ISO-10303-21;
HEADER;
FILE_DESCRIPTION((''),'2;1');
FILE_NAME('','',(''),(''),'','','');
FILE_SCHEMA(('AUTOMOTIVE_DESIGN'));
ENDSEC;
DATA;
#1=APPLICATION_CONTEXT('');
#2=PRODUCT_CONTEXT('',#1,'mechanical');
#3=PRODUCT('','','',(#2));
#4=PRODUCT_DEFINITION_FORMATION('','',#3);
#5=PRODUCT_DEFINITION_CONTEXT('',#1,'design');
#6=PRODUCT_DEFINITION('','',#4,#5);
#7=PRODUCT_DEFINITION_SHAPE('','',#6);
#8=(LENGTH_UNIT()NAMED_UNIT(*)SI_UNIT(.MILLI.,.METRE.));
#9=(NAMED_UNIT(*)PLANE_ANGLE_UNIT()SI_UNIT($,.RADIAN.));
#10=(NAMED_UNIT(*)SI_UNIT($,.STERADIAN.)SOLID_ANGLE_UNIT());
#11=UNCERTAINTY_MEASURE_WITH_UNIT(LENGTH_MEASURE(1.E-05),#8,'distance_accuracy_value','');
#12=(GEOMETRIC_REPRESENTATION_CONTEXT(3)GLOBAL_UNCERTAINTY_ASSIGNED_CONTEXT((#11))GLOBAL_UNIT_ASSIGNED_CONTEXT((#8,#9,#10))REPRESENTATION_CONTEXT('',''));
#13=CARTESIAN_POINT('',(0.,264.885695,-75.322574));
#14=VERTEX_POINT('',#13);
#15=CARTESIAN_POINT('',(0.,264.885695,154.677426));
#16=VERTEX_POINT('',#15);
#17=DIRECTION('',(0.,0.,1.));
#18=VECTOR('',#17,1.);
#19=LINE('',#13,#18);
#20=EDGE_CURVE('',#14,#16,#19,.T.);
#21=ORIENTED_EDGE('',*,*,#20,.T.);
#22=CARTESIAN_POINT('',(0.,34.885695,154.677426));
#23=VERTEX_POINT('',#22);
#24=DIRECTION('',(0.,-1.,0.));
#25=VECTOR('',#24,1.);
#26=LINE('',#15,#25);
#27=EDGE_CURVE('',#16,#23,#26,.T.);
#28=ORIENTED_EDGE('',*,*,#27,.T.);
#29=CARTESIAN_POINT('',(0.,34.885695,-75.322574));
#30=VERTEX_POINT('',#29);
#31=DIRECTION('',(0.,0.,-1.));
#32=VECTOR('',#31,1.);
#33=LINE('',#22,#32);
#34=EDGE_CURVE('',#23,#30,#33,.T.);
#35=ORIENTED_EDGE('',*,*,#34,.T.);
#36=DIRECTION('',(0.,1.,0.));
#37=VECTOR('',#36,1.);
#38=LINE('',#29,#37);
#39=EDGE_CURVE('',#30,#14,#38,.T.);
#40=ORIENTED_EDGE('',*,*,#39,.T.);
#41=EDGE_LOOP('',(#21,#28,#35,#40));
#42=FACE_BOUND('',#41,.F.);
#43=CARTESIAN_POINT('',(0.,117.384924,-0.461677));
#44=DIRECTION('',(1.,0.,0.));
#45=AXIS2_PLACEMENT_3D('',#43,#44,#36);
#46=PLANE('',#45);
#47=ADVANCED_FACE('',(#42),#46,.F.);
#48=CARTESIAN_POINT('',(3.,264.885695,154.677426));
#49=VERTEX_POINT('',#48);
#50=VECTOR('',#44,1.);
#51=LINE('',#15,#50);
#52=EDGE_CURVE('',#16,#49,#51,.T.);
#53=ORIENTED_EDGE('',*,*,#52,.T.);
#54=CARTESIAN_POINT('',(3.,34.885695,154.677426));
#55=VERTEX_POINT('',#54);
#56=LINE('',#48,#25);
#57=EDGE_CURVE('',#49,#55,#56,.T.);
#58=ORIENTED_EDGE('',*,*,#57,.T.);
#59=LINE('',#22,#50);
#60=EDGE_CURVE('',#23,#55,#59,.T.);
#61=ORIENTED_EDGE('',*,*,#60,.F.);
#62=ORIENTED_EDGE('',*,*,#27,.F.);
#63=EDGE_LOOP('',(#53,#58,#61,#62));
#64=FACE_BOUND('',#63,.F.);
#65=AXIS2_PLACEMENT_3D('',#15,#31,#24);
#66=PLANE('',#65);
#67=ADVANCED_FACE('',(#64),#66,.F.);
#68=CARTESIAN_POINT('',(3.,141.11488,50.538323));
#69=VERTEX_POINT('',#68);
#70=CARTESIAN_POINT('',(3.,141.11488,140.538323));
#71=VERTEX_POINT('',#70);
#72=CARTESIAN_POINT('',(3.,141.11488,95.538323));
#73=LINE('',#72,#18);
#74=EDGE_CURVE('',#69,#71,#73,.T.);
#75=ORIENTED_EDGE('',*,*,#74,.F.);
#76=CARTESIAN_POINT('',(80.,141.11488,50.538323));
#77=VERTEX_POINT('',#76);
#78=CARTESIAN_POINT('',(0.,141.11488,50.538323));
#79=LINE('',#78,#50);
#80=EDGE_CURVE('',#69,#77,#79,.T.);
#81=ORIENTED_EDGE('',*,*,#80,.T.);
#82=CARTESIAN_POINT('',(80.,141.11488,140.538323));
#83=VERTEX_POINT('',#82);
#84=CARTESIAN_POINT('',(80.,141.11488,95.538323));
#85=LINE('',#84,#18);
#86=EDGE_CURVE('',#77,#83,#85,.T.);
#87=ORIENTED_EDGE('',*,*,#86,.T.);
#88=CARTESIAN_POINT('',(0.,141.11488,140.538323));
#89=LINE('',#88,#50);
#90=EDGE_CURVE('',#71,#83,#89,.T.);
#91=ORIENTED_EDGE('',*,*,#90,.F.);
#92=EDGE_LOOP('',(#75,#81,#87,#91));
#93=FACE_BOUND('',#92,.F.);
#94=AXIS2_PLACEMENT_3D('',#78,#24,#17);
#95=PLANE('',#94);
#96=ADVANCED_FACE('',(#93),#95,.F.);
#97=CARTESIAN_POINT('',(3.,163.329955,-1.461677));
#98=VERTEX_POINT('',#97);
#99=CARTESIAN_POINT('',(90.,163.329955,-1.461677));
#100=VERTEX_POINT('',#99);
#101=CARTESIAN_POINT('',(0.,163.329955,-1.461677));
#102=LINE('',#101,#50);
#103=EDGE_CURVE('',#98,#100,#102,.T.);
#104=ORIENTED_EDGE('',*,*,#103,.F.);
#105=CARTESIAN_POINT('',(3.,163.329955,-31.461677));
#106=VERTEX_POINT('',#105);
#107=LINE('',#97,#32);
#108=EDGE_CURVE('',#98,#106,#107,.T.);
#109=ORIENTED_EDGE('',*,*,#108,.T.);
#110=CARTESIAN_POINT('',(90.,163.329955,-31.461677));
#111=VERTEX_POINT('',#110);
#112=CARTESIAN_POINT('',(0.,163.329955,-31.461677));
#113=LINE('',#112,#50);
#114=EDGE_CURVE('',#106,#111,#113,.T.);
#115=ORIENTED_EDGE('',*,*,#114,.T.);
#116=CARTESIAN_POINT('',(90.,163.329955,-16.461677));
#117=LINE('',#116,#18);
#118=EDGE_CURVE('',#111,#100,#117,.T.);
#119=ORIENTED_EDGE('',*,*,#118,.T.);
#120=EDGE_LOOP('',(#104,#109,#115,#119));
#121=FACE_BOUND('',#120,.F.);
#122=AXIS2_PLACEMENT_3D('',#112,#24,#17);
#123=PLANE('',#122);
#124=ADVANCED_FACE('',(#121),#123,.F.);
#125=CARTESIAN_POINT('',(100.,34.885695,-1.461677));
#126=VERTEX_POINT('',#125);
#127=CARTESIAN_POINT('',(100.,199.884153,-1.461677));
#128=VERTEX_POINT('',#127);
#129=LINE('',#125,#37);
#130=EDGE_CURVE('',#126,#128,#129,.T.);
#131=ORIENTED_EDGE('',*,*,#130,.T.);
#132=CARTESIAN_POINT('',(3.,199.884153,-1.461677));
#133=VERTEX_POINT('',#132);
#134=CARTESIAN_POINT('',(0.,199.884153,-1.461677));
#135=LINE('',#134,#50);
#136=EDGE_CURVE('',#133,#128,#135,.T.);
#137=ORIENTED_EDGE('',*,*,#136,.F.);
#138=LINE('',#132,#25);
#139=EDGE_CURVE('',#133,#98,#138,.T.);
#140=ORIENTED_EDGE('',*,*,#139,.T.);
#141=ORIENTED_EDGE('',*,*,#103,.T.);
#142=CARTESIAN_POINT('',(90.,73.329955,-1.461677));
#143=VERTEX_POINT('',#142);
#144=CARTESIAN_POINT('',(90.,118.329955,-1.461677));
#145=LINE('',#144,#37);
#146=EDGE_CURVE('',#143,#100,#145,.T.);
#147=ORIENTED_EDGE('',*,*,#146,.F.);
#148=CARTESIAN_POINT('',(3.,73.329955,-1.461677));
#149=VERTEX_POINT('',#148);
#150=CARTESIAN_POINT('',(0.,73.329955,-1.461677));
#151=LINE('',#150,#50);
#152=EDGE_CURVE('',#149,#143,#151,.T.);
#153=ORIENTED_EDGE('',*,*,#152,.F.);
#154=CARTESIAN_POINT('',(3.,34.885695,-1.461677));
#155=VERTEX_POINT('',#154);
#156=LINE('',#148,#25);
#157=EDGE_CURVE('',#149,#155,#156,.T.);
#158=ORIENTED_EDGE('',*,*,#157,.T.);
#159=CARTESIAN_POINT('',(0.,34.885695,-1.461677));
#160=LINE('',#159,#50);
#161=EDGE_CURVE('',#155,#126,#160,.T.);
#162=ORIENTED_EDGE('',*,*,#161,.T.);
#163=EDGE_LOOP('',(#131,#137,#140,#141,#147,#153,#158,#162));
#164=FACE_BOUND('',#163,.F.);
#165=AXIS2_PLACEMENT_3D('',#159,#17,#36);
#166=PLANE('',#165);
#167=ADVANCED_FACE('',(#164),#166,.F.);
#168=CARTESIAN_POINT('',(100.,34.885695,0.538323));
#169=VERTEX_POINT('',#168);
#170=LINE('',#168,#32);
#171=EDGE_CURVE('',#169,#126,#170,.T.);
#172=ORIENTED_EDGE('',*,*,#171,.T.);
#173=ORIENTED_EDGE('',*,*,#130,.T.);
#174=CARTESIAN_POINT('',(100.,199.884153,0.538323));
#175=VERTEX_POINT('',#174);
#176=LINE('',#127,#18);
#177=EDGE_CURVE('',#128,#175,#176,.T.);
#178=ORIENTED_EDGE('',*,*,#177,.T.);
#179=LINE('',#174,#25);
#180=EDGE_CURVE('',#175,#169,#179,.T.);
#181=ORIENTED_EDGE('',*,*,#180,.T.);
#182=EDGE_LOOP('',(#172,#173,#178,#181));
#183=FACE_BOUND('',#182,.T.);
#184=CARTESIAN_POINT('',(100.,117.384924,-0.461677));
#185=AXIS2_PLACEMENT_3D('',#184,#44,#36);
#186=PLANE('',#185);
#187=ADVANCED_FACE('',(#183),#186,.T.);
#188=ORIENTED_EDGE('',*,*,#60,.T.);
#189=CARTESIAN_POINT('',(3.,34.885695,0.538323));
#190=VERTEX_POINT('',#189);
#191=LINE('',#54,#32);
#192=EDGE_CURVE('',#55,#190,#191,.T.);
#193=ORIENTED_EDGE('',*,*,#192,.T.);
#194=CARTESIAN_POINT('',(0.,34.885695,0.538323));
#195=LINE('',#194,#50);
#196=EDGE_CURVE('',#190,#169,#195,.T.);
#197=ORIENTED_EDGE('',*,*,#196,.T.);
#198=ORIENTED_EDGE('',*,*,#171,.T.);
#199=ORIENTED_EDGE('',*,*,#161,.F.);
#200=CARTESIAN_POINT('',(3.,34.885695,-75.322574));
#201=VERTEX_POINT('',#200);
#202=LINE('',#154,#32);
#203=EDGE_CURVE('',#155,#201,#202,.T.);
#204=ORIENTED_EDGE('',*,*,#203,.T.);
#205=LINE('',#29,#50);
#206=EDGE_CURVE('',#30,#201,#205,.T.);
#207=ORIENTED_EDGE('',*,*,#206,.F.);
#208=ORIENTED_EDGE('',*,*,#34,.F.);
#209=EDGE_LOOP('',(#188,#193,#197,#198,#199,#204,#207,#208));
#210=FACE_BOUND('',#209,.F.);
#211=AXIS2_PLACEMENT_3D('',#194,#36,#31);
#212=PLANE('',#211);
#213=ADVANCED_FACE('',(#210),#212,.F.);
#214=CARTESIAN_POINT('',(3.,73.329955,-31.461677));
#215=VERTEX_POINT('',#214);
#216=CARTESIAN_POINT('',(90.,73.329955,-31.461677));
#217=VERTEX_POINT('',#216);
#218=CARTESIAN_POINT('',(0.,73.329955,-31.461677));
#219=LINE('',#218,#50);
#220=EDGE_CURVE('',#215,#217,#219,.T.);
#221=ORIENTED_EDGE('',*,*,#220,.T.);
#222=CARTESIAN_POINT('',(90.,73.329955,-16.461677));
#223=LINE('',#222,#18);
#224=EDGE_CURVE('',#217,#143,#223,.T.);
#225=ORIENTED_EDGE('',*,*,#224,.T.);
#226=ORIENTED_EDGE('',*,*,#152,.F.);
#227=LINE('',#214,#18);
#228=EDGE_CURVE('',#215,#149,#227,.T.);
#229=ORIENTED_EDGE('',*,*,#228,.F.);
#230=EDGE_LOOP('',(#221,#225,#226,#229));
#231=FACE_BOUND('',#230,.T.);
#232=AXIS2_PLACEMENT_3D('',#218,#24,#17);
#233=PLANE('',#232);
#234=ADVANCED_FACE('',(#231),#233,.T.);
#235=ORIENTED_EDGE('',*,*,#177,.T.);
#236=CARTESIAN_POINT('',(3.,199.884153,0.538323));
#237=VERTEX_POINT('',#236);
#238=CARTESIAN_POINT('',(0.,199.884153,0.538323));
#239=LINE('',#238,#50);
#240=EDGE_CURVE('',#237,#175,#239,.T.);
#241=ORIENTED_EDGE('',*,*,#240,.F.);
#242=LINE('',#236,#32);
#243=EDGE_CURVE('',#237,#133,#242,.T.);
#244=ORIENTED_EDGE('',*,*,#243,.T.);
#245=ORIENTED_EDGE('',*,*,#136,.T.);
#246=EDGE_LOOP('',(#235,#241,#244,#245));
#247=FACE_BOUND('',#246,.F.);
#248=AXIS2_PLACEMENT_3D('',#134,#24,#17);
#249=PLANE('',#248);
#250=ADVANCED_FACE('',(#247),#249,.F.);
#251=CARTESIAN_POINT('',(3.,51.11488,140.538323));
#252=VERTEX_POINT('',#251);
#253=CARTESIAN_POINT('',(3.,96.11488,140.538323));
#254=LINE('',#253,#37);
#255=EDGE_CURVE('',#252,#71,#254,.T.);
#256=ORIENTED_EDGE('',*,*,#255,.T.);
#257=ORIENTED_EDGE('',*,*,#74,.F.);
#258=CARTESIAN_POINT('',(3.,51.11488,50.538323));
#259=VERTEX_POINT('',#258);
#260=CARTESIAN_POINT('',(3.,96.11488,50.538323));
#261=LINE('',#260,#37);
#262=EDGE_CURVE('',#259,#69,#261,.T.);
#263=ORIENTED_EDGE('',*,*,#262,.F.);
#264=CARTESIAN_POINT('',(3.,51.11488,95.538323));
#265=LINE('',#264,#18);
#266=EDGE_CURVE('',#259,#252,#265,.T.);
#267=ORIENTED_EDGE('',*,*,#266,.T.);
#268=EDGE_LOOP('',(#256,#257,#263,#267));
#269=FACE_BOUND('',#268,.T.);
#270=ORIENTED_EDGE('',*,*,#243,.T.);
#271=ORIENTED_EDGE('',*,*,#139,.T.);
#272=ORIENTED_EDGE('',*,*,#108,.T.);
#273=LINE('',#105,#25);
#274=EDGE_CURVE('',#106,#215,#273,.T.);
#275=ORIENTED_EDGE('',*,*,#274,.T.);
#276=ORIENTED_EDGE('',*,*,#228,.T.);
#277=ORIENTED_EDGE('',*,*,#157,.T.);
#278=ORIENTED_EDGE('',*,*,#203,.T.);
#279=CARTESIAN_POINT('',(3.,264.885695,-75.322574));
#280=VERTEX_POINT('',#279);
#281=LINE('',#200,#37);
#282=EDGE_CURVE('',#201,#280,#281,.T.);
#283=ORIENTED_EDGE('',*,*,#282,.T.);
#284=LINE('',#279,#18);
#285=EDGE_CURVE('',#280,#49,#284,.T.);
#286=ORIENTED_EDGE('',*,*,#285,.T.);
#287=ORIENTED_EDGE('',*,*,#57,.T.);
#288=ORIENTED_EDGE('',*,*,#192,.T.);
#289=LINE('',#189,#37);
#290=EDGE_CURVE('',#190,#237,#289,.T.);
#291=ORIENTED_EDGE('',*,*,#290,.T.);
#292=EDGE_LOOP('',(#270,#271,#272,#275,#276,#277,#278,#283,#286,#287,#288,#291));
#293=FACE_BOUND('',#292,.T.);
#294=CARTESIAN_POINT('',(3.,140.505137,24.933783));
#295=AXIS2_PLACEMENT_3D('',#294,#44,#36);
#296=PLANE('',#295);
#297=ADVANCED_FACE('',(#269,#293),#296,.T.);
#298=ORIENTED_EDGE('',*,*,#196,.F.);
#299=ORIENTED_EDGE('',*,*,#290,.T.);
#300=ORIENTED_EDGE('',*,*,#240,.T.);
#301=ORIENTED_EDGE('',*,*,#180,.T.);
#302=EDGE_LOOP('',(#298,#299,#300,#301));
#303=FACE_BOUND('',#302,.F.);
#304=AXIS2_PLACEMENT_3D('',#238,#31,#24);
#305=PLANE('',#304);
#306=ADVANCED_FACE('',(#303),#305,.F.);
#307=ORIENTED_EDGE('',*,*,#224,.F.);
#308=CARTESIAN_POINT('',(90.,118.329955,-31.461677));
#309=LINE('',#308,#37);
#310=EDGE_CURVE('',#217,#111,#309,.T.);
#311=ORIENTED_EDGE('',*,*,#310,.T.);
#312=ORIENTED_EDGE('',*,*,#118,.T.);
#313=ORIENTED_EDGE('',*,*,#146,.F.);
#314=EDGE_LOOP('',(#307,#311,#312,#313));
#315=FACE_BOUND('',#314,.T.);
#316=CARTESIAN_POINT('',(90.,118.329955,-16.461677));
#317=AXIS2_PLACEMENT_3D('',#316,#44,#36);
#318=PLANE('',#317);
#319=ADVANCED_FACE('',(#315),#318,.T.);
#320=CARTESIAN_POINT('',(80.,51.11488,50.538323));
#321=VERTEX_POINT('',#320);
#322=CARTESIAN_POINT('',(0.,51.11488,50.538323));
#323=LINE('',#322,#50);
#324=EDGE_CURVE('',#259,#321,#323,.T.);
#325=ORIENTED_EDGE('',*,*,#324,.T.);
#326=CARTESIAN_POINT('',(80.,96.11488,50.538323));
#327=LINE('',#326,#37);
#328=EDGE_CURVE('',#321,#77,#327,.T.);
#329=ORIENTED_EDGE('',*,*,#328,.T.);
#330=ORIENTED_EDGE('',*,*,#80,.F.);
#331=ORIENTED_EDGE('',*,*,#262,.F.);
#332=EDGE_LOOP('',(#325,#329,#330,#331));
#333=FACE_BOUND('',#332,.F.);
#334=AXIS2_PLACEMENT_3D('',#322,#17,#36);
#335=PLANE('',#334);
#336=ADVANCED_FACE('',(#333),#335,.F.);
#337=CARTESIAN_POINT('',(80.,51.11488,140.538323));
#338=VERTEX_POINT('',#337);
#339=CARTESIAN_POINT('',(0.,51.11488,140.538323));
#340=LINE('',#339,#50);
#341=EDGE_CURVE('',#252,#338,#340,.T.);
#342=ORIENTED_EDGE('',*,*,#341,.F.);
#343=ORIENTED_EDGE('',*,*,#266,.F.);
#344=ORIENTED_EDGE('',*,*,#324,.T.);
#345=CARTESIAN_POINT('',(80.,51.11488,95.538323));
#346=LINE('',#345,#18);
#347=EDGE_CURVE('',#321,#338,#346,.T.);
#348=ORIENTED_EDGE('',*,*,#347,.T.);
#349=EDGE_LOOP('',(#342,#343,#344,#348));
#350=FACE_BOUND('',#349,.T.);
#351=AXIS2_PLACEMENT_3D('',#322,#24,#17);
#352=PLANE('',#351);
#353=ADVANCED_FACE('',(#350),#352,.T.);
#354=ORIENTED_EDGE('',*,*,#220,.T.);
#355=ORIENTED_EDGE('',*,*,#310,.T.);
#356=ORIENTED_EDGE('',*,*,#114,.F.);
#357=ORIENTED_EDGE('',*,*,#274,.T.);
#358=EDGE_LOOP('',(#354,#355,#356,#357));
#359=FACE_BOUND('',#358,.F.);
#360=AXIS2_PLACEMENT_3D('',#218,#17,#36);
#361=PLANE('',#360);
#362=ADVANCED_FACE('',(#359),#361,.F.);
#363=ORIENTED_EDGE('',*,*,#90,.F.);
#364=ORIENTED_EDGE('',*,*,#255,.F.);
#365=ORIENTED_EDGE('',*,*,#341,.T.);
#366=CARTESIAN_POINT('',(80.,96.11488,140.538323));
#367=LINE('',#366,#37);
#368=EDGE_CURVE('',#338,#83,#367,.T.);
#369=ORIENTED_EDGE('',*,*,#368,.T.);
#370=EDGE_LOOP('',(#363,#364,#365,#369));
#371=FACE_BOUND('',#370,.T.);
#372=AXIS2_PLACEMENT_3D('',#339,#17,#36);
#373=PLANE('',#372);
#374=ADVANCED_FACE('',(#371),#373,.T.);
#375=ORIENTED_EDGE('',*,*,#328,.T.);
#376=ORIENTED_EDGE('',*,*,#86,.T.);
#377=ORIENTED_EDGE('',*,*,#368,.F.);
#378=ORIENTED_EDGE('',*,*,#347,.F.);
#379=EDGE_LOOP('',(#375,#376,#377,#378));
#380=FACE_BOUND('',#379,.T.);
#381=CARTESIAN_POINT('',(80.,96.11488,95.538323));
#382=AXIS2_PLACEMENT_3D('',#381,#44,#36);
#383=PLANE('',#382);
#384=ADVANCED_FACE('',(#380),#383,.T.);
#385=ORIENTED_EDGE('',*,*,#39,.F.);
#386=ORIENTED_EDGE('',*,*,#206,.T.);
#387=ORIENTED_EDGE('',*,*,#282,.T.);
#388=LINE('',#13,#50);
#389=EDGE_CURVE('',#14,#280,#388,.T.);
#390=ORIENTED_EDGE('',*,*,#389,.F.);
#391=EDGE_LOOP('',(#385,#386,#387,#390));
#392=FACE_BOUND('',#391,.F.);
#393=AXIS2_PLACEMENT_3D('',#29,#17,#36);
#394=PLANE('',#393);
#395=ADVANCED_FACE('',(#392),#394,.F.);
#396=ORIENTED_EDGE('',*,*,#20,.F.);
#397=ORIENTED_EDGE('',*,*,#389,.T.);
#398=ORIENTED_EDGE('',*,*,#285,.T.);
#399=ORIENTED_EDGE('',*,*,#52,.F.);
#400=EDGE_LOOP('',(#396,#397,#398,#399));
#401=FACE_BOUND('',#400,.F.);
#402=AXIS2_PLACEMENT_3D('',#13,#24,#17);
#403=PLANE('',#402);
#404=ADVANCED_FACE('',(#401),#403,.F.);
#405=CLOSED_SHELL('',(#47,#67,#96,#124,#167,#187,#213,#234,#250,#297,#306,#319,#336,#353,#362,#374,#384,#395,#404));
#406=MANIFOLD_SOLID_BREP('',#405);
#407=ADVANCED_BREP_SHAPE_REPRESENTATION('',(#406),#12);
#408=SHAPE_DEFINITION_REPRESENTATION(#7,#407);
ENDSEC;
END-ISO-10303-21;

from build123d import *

# Parameters (mm, degrees)
F0_W     = 90
F0_H     = 90
F1_DEPTH = 3
F0_H_2   = 30
F2_DEPTH = 90
F3_DEPTH = 100
F4_DEPTH = 80


with BuildPart() as f1:
    # F0 (on Right) → F1 (new body)
    with BuildSketch(Plane.YZ):
        Polygon((264.885695, 154.677426), (34.885695, 154.677426), (34.885695, 0.538323), (199.884153, 0.538323), (199.884153, -1.461677), (163.329955, -1.461677), (163.329955, -31.461677), (73.329955, -31.461677), (73.329955, -1.461677), (34.885695, -1.461677), (34.885695, -75.322574), (264.885695, -75.322574), align=None)
        with Locations((96.11488, 95.538323)):
            Rectangle(F0_W, F0_H, mode=Mode.SUBTRACT)
    extrude(amount=F1_DEPTH)

    # F0 (on Right) → F2 (join)
    with BuildSketch(Plane.YZ):
        with Locations((118.329955, -16.461677)):
            Rectangle(F0_W, F0_H_2)
    extrude(amount=F2_DEPTH)

    # F0 (on Right) → F3 (join)
    with BuildSketch(Plane.YZ):
        Polygon((199.884153, 0.538323), (34.885695, 0.538323), (34.885695, -1.461677), (73.329955, -1.461677), (163.329955, -1.461677), (199.884153, -1.461677), align=None)
    extrude(amount=F3_DEPTH)

    # F0 (on Right) → F4 (join)
    with BuildSketch(Plane.YZ):
        with Locations((96.11488, 95.538323)):
            Rectangle(F0_W, F0_H)
    extrude(amount=F4_DEPTH)


solid = f1.part
